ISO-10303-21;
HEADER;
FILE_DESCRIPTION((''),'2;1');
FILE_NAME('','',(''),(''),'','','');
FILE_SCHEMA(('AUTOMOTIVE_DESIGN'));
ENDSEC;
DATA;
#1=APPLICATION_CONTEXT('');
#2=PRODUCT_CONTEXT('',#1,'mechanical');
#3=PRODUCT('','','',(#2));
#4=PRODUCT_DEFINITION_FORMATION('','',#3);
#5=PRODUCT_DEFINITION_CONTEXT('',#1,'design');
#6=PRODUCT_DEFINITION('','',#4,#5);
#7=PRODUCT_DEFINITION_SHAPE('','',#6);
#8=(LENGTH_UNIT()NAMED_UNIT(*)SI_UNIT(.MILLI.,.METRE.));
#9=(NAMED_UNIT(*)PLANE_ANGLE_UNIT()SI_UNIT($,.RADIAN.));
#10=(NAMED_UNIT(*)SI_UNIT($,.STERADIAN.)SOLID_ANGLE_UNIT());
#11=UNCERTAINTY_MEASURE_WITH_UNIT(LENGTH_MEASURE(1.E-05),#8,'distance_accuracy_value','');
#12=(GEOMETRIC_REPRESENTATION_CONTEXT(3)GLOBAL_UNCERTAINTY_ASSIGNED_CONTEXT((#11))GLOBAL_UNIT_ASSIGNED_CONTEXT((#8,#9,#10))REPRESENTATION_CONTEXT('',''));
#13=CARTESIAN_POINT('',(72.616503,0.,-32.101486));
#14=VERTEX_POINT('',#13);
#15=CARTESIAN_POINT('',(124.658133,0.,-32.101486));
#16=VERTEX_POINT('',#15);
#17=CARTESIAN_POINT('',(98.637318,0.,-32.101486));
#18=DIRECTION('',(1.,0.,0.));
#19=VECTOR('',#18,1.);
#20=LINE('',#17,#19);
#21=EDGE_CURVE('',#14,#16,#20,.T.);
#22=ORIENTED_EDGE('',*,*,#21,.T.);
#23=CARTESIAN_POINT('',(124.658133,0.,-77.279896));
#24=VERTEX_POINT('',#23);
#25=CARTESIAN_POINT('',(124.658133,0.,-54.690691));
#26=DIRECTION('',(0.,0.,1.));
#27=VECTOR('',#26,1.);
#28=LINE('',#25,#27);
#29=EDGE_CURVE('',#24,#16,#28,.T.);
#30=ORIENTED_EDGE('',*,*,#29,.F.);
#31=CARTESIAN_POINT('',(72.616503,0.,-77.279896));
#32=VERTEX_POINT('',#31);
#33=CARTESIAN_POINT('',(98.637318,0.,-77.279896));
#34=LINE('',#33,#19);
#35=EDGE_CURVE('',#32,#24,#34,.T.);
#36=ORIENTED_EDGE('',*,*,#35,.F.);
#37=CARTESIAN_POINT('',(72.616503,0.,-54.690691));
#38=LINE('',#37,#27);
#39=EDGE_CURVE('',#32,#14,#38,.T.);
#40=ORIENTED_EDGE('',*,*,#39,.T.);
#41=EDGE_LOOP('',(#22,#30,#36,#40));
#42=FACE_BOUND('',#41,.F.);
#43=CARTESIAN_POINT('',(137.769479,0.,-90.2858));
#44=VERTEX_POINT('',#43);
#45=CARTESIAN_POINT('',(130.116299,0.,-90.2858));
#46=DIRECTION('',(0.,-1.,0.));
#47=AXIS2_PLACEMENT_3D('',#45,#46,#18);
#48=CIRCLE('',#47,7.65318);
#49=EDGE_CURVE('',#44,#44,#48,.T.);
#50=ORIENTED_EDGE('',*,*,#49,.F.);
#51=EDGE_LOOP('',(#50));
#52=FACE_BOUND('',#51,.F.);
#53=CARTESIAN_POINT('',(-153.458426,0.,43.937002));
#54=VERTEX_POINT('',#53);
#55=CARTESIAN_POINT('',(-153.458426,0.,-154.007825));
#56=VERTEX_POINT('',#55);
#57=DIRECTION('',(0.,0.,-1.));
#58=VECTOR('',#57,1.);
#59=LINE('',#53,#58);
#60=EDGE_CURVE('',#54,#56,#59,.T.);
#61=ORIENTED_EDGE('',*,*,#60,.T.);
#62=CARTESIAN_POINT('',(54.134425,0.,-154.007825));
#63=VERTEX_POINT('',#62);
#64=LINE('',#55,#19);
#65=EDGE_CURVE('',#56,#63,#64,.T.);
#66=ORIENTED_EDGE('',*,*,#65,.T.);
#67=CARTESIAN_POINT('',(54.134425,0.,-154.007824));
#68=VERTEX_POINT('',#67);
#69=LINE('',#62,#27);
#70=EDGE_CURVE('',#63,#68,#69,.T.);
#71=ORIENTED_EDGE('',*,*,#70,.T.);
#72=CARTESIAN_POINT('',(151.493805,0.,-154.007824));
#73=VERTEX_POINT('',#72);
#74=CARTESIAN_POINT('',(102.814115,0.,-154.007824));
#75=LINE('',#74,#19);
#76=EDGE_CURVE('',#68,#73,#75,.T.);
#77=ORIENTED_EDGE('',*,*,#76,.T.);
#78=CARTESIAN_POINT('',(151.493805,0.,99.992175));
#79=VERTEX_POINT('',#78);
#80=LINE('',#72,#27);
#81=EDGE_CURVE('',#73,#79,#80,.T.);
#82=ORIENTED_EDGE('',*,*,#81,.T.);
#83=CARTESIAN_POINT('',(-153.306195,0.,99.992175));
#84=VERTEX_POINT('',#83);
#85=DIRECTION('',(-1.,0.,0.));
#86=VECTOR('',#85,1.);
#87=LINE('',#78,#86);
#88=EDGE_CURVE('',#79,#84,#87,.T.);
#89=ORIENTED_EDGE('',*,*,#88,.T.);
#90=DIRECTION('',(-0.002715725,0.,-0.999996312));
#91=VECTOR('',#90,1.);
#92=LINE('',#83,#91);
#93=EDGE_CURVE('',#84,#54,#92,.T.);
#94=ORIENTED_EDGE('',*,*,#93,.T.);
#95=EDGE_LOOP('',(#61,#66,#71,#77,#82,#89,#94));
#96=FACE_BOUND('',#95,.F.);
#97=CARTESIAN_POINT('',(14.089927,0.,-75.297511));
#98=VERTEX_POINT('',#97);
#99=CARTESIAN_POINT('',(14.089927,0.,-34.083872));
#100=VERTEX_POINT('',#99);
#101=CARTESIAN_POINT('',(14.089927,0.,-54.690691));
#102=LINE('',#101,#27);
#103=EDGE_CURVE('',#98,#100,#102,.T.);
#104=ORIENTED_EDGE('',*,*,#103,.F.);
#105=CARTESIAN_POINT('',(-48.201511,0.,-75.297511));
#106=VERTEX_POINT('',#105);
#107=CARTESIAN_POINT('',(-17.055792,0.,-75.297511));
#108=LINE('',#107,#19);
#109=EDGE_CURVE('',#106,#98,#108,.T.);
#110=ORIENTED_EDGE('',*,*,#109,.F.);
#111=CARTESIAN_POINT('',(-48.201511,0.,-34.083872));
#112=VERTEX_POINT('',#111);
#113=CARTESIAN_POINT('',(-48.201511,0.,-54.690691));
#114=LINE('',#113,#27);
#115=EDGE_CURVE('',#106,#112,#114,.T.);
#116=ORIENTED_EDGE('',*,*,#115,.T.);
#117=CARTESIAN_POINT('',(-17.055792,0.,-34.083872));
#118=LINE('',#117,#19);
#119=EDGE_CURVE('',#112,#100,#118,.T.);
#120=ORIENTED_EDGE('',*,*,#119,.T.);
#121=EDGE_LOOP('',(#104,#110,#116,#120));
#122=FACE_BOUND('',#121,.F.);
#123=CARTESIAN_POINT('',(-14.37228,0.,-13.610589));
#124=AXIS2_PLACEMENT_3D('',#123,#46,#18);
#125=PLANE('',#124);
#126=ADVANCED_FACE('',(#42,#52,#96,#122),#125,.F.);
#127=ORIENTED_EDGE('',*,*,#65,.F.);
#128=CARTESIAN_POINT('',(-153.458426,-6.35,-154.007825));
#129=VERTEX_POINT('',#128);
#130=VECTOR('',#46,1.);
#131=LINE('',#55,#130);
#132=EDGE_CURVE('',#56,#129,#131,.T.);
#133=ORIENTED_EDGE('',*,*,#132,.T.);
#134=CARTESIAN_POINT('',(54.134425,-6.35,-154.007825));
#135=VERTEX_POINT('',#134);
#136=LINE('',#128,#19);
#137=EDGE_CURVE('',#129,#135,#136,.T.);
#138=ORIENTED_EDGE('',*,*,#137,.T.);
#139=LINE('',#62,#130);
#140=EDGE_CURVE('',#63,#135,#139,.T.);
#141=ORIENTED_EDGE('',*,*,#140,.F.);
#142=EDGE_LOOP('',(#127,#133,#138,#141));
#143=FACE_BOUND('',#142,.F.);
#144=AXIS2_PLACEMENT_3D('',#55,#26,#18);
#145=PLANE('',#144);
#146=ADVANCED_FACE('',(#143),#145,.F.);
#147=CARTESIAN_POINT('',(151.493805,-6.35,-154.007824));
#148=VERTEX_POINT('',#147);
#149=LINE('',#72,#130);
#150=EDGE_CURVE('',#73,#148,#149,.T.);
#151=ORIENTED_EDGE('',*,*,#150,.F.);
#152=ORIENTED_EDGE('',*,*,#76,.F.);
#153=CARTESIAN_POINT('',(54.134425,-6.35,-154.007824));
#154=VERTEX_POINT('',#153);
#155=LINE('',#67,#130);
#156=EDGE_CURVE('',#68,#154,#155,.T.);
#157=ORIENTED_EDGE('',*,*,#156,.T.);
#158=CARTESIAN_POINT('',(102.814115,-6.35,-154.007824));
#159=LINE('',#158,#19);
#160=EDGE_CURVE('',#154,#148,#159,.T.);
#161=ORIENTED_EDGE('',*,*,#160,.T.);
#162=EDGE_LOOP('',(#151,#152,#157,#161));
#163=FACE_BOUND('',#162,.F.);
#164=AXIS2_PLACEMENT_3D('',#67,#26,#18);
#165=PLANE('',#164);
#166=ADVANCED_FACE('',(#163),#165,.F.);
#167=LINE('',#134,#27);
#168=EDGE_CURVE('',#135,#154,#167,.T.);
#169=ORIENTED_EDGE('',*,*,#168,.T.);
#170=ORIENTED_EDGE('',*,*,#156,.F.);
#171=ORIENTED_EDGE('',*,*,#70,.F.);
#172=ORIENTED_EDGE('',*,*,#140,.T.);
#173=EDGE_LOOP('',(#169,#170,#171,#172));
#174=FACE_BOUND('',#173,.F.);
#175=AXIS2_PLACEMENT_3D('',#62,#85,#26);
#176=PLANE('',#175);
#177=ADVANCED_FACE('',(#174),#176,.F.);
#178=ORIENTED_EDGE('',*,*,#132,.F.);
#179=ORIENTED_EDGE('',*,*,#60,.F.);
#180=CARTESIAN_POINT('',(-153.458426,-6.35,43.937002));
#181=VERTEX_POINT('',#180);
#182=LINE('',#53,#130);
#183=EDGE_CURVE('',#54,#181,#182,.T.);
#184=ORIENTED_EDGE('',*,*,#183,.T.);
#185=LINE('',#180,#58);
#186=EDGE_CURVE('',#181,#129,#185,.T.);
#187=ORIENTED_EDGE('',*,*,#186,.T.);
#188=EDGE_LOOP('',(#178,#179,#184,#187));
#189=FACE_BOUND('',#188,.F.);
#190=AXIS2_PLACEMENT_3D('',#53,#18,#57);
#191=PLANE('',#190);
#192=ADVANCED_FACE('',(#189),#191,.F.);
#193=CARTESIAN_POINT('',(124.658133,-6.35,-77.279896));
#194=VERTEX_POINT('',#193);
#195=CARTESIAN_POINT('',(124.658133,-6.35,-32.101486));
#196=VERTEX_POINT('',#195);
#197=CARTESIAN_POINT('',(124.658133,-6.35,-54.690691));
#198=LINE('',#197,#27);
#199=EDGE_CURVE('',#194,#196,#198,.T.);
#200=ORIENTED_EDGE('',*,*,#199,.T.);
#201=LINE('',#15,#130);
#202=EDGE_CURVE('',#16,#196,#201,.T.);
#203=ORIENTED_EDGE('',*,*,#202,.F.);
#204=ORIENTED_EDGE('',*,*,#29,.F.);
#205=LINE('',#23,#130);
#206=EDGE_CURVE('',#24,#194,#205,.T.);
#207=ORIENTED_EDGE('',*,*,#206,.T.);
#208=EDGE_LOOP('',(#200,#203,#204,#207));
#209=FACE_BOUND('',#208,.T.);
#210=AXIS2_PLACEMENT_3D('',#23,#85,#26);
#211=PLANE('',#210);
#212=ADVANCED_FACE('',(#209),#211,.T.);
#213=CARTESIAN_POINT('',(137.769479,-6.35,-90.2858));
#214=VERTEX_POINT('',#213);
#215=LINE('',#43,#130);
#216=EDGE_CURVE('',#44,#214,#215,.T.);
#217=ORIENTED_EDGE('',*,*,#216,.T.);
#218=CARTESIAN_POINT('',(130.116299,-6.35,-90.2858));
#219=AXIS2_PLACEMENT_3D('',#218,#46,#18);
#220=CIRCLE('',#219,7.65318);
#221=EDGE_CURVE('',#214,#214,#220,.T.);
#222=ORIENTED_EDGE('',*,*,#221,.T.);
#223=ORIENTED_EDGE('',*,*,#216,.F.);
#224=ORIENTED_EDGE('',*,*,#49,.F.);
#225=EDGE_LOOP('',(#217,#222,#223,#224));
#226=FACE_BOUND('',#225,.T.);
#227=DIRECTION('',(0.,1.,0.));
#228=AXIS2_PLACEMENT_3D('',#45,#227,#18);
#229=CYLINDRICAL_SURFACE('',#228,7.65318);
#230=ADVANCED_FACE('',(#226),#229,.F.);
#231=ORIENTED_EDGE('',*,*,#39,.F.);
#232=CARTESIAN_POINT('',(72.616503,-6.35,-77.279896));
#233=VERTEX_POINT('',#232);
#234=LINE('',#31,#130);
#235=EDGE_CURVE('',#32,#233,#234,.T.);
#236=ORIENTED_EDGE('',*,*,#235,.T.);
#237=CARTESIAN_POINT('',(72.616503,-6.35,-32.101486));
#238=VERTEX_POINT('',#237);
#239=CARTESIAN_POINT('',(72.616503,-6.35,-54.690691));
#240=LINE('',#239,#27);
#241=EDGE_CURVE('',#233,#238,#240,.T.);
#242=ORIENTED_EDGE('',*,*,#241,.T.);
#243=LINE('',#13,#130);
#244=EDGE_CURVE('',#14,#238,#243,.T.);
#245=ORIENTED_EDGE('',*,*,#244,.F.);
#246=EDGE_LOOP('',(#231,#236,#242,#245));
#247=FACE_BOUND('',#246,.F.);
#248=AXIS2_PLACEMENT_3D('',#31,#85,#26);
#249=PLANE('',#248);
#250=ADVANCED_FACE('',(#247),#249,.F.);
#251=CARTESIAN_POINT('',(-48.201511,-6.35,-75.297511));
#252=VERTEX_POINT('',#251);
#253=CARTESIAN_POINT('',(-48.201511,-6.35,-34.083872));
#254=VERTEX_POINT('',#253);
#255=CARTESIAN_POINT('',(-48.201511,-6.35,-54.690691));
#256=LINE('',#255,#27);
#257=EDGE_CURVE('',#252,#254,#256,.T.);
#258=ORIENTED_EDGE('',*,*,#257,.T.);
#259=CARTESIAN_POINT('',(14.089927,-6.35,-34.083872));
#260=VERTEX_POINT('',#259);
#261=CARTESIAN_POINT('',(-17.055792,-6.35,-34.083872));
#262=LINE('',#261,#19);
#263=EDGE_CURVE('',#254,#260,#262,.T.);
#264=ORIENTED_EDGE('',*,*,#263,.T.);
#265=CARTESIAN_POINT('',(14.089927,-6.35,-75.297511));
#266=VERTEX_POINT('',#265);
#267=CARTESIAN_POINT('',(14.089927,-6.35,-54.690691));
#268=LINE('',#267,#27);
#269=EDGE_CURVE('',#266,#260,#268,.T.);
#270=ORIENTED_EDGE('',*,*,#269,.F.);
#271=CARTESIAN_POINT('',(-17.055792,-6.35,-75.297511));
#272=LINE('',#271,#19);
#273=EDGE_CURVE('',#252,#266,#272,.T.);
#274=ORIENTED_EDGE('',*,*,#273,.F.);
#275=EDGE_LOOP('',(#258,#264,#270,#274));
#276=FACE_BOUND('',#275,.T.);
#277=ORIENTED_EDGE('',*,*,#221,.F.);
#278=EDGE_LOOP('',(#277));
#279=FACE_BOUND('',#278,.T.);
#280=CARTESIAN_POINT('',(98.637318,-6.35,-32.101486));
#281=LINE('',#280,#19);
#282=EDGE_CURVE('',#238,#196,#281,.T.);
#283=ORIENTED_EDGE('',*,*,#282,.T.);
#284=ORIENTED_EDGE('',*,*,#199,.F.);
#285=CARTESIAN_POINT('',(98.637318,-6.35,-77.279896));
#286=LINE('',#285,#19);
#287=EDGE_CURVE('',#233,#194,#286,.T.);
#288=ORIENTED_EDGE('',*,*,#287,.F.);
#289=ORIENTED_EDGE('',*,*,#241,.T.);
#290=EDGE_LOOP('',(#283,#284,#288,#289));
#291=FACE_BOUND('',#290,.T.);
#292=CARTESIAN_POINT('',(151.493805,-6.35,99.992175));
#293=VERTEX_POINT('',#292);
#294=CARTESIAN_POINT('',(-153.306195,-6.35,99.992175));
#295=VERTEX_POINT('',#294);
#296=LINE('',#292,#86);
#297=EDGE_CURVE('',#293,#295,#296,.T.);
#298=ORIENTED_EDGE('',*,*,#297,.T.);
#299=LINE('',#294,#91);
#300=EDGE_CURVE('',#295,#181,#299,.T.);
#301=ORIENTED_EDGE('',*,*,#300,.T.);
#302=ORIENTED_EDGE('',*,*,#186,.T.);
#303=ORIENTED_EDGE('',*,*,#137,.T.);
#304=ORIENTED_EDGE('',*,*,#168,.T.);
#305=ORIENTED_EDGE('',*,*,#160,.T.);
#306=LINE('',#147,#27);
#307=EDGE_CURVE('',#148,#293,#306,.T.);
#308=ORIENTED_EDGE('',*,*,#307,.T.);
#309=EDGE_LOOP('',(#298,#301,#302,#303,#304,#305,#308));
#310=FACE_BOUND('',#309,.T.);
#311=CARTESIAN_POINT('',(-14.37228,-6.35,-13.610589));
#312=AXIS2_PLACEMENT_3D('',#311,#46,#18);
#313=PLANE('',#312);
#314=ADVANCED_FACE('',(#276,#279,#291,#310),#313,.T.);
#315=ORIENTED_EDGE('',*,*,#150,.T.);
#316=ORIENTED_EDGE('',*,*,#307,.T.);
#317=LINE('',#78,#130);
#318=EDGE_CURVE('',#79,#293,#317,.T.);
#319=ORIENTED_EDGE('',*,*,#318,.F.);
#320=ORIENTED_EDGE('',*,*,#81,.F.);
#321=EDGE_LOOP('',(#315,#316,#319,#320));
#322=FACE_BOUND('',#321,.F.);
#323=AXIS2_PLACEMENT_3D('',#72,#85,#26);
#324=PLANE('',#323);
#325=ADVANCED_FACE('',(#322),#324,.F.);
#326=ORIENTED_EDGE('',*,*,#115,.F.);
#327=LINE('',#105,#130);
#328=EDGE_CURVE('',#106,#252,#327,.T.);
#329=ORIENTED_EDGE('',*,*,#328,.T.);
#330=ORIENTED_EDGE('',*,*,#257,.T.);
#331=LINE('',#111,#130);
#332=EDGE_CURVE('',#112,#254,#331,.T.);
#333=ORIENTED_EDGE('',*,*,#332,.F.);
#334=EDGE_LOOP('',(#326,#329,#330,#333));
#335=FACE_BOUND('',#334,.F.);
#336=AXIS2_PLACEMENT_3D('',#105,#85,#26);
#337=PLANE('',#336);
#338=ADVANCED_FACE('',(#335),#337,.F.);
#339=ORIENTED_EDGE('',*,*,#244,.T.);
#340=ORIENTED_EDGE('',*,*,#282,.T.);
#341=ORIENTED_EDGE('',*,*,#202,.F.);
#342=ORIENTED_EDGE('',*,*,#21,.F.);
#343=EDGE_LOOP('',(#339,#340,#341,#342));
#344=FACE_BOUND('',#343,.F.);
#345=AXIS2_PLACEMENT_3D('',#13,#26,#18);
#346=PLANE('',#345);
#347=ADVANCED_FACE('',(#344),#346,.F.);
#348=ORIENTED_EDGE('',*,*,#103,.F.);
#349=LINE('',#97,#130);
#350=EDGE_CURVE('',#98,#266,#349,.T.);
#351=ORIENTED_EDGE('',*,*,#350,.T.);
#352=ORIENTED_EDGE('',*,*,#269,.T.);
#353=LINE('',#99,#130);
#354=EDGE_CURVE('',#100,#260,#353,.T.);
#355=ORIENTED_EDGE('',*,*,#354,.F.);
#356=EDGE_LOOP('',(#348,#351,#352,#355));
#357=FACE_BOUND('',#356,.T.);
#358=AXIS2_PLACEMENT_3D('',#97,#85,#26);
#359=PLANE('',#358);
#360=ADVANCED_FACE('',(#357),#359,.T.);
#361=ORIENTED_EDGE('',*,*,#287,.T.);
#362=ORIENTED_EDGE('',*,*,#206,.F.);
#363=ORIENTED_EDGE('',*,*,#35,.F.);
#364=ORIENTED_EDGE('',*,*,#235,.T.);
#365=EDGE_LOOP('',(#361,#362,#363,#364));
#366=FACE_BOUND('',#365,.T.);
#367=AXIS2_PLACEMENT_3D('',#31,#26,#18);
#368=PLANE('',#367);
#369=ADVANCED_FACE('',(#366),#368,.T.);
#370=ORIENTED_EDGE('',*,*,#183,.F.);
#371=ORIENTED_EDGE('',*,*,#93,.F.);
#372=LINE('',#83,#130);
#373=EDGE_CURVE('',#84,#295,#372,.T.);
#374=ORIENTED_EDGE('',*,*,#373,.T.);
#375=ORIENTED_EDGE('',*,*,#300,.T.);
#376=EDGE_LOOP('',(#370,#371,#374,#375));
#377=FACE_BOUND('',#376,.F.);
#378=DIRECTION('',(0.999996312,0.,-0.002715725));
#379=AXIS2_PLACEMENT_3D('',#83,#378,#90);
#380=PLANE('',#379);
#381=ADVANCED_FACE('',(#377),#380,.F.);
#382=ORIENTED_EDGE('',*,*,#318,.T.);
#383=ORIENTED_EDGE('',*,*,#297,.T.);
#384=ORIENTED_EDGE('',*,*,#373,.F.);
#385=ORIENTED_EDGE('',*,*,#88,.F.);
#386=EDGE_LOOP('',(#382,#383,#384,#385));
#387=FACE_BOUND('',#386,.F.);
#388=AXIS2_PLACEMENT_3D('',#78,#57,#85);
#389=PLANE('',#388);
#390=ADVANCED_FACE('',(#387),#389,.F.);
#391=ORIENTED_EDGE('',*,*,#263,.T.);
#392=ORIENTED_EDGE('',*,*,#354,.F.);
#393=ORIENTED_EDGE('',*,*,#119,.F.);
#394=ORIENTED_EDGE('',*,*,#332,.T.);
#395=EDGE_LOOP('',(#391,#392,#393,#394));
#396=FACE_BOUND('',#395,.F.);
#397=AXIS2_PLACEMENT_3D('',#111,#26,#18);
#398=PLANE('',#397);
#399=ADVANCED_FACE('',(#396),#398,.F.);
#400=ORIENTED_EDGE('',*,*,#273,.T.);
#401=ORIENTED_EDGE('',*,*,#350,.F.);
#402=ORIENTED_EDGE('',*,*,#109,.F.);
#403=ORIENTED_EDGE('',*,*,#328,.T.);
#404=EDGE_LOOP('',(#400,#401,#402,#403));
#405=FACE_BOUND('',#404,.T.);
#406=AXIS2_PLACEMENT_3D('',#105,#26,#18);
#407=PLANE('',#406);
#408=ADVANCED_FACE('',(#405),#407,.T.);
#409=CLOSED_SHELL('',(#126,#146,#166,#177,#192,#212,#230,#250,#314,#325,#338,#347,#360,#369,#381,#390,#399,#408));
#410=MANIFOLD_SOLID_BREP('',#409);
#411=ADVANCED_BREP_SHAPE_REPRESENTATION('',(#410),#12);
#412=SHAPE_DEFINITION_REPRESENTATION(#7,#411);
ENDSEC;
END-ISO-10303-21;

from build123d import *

# Parameters (mm, degrees)
F0_W     = 62.291438
F0_H     = 41.213639
F0_W_2   = 97.35938
F0_H_2   = 154.007825
F0_R     = 7.65318
F0_W_3   = 52.04163
F0_H_3   = 45.17841
F1_DEPTH = 6.35


with BuildPart() as f1:
    # F0 (on Front) → F1 (new body)
    with BuildSketch(Plane.XZ):
        Polygon((151.493805, 99.992175), (-153.306195, 99.992175), (-153.458426, 43.937002), (-153.458426, -154.007825), (54.134425, -154.007825), (54.134425, 0), (151.493805, 0), align=None)
        with Locations((-17.055792, -54.690691)):
            Rectangle(F0_W, F0_H, mode=Mode.SUBTRACT)
        with Locations((102.814115, -77.003912)):
            Rectangle(F0_W_2, F0_H_2)
        with Locations((130.116299, -90.2858)):
            Circle(F0_R, mode=Mode.SUBTRACT)
        with Locations((98.637318, -54.690691)):
            Rectangle(F0_W_3, F0_H_3, mode=Mode.SUBTRACT)
    extrude(amount=F1_DEPTH)


solid = f1.part
